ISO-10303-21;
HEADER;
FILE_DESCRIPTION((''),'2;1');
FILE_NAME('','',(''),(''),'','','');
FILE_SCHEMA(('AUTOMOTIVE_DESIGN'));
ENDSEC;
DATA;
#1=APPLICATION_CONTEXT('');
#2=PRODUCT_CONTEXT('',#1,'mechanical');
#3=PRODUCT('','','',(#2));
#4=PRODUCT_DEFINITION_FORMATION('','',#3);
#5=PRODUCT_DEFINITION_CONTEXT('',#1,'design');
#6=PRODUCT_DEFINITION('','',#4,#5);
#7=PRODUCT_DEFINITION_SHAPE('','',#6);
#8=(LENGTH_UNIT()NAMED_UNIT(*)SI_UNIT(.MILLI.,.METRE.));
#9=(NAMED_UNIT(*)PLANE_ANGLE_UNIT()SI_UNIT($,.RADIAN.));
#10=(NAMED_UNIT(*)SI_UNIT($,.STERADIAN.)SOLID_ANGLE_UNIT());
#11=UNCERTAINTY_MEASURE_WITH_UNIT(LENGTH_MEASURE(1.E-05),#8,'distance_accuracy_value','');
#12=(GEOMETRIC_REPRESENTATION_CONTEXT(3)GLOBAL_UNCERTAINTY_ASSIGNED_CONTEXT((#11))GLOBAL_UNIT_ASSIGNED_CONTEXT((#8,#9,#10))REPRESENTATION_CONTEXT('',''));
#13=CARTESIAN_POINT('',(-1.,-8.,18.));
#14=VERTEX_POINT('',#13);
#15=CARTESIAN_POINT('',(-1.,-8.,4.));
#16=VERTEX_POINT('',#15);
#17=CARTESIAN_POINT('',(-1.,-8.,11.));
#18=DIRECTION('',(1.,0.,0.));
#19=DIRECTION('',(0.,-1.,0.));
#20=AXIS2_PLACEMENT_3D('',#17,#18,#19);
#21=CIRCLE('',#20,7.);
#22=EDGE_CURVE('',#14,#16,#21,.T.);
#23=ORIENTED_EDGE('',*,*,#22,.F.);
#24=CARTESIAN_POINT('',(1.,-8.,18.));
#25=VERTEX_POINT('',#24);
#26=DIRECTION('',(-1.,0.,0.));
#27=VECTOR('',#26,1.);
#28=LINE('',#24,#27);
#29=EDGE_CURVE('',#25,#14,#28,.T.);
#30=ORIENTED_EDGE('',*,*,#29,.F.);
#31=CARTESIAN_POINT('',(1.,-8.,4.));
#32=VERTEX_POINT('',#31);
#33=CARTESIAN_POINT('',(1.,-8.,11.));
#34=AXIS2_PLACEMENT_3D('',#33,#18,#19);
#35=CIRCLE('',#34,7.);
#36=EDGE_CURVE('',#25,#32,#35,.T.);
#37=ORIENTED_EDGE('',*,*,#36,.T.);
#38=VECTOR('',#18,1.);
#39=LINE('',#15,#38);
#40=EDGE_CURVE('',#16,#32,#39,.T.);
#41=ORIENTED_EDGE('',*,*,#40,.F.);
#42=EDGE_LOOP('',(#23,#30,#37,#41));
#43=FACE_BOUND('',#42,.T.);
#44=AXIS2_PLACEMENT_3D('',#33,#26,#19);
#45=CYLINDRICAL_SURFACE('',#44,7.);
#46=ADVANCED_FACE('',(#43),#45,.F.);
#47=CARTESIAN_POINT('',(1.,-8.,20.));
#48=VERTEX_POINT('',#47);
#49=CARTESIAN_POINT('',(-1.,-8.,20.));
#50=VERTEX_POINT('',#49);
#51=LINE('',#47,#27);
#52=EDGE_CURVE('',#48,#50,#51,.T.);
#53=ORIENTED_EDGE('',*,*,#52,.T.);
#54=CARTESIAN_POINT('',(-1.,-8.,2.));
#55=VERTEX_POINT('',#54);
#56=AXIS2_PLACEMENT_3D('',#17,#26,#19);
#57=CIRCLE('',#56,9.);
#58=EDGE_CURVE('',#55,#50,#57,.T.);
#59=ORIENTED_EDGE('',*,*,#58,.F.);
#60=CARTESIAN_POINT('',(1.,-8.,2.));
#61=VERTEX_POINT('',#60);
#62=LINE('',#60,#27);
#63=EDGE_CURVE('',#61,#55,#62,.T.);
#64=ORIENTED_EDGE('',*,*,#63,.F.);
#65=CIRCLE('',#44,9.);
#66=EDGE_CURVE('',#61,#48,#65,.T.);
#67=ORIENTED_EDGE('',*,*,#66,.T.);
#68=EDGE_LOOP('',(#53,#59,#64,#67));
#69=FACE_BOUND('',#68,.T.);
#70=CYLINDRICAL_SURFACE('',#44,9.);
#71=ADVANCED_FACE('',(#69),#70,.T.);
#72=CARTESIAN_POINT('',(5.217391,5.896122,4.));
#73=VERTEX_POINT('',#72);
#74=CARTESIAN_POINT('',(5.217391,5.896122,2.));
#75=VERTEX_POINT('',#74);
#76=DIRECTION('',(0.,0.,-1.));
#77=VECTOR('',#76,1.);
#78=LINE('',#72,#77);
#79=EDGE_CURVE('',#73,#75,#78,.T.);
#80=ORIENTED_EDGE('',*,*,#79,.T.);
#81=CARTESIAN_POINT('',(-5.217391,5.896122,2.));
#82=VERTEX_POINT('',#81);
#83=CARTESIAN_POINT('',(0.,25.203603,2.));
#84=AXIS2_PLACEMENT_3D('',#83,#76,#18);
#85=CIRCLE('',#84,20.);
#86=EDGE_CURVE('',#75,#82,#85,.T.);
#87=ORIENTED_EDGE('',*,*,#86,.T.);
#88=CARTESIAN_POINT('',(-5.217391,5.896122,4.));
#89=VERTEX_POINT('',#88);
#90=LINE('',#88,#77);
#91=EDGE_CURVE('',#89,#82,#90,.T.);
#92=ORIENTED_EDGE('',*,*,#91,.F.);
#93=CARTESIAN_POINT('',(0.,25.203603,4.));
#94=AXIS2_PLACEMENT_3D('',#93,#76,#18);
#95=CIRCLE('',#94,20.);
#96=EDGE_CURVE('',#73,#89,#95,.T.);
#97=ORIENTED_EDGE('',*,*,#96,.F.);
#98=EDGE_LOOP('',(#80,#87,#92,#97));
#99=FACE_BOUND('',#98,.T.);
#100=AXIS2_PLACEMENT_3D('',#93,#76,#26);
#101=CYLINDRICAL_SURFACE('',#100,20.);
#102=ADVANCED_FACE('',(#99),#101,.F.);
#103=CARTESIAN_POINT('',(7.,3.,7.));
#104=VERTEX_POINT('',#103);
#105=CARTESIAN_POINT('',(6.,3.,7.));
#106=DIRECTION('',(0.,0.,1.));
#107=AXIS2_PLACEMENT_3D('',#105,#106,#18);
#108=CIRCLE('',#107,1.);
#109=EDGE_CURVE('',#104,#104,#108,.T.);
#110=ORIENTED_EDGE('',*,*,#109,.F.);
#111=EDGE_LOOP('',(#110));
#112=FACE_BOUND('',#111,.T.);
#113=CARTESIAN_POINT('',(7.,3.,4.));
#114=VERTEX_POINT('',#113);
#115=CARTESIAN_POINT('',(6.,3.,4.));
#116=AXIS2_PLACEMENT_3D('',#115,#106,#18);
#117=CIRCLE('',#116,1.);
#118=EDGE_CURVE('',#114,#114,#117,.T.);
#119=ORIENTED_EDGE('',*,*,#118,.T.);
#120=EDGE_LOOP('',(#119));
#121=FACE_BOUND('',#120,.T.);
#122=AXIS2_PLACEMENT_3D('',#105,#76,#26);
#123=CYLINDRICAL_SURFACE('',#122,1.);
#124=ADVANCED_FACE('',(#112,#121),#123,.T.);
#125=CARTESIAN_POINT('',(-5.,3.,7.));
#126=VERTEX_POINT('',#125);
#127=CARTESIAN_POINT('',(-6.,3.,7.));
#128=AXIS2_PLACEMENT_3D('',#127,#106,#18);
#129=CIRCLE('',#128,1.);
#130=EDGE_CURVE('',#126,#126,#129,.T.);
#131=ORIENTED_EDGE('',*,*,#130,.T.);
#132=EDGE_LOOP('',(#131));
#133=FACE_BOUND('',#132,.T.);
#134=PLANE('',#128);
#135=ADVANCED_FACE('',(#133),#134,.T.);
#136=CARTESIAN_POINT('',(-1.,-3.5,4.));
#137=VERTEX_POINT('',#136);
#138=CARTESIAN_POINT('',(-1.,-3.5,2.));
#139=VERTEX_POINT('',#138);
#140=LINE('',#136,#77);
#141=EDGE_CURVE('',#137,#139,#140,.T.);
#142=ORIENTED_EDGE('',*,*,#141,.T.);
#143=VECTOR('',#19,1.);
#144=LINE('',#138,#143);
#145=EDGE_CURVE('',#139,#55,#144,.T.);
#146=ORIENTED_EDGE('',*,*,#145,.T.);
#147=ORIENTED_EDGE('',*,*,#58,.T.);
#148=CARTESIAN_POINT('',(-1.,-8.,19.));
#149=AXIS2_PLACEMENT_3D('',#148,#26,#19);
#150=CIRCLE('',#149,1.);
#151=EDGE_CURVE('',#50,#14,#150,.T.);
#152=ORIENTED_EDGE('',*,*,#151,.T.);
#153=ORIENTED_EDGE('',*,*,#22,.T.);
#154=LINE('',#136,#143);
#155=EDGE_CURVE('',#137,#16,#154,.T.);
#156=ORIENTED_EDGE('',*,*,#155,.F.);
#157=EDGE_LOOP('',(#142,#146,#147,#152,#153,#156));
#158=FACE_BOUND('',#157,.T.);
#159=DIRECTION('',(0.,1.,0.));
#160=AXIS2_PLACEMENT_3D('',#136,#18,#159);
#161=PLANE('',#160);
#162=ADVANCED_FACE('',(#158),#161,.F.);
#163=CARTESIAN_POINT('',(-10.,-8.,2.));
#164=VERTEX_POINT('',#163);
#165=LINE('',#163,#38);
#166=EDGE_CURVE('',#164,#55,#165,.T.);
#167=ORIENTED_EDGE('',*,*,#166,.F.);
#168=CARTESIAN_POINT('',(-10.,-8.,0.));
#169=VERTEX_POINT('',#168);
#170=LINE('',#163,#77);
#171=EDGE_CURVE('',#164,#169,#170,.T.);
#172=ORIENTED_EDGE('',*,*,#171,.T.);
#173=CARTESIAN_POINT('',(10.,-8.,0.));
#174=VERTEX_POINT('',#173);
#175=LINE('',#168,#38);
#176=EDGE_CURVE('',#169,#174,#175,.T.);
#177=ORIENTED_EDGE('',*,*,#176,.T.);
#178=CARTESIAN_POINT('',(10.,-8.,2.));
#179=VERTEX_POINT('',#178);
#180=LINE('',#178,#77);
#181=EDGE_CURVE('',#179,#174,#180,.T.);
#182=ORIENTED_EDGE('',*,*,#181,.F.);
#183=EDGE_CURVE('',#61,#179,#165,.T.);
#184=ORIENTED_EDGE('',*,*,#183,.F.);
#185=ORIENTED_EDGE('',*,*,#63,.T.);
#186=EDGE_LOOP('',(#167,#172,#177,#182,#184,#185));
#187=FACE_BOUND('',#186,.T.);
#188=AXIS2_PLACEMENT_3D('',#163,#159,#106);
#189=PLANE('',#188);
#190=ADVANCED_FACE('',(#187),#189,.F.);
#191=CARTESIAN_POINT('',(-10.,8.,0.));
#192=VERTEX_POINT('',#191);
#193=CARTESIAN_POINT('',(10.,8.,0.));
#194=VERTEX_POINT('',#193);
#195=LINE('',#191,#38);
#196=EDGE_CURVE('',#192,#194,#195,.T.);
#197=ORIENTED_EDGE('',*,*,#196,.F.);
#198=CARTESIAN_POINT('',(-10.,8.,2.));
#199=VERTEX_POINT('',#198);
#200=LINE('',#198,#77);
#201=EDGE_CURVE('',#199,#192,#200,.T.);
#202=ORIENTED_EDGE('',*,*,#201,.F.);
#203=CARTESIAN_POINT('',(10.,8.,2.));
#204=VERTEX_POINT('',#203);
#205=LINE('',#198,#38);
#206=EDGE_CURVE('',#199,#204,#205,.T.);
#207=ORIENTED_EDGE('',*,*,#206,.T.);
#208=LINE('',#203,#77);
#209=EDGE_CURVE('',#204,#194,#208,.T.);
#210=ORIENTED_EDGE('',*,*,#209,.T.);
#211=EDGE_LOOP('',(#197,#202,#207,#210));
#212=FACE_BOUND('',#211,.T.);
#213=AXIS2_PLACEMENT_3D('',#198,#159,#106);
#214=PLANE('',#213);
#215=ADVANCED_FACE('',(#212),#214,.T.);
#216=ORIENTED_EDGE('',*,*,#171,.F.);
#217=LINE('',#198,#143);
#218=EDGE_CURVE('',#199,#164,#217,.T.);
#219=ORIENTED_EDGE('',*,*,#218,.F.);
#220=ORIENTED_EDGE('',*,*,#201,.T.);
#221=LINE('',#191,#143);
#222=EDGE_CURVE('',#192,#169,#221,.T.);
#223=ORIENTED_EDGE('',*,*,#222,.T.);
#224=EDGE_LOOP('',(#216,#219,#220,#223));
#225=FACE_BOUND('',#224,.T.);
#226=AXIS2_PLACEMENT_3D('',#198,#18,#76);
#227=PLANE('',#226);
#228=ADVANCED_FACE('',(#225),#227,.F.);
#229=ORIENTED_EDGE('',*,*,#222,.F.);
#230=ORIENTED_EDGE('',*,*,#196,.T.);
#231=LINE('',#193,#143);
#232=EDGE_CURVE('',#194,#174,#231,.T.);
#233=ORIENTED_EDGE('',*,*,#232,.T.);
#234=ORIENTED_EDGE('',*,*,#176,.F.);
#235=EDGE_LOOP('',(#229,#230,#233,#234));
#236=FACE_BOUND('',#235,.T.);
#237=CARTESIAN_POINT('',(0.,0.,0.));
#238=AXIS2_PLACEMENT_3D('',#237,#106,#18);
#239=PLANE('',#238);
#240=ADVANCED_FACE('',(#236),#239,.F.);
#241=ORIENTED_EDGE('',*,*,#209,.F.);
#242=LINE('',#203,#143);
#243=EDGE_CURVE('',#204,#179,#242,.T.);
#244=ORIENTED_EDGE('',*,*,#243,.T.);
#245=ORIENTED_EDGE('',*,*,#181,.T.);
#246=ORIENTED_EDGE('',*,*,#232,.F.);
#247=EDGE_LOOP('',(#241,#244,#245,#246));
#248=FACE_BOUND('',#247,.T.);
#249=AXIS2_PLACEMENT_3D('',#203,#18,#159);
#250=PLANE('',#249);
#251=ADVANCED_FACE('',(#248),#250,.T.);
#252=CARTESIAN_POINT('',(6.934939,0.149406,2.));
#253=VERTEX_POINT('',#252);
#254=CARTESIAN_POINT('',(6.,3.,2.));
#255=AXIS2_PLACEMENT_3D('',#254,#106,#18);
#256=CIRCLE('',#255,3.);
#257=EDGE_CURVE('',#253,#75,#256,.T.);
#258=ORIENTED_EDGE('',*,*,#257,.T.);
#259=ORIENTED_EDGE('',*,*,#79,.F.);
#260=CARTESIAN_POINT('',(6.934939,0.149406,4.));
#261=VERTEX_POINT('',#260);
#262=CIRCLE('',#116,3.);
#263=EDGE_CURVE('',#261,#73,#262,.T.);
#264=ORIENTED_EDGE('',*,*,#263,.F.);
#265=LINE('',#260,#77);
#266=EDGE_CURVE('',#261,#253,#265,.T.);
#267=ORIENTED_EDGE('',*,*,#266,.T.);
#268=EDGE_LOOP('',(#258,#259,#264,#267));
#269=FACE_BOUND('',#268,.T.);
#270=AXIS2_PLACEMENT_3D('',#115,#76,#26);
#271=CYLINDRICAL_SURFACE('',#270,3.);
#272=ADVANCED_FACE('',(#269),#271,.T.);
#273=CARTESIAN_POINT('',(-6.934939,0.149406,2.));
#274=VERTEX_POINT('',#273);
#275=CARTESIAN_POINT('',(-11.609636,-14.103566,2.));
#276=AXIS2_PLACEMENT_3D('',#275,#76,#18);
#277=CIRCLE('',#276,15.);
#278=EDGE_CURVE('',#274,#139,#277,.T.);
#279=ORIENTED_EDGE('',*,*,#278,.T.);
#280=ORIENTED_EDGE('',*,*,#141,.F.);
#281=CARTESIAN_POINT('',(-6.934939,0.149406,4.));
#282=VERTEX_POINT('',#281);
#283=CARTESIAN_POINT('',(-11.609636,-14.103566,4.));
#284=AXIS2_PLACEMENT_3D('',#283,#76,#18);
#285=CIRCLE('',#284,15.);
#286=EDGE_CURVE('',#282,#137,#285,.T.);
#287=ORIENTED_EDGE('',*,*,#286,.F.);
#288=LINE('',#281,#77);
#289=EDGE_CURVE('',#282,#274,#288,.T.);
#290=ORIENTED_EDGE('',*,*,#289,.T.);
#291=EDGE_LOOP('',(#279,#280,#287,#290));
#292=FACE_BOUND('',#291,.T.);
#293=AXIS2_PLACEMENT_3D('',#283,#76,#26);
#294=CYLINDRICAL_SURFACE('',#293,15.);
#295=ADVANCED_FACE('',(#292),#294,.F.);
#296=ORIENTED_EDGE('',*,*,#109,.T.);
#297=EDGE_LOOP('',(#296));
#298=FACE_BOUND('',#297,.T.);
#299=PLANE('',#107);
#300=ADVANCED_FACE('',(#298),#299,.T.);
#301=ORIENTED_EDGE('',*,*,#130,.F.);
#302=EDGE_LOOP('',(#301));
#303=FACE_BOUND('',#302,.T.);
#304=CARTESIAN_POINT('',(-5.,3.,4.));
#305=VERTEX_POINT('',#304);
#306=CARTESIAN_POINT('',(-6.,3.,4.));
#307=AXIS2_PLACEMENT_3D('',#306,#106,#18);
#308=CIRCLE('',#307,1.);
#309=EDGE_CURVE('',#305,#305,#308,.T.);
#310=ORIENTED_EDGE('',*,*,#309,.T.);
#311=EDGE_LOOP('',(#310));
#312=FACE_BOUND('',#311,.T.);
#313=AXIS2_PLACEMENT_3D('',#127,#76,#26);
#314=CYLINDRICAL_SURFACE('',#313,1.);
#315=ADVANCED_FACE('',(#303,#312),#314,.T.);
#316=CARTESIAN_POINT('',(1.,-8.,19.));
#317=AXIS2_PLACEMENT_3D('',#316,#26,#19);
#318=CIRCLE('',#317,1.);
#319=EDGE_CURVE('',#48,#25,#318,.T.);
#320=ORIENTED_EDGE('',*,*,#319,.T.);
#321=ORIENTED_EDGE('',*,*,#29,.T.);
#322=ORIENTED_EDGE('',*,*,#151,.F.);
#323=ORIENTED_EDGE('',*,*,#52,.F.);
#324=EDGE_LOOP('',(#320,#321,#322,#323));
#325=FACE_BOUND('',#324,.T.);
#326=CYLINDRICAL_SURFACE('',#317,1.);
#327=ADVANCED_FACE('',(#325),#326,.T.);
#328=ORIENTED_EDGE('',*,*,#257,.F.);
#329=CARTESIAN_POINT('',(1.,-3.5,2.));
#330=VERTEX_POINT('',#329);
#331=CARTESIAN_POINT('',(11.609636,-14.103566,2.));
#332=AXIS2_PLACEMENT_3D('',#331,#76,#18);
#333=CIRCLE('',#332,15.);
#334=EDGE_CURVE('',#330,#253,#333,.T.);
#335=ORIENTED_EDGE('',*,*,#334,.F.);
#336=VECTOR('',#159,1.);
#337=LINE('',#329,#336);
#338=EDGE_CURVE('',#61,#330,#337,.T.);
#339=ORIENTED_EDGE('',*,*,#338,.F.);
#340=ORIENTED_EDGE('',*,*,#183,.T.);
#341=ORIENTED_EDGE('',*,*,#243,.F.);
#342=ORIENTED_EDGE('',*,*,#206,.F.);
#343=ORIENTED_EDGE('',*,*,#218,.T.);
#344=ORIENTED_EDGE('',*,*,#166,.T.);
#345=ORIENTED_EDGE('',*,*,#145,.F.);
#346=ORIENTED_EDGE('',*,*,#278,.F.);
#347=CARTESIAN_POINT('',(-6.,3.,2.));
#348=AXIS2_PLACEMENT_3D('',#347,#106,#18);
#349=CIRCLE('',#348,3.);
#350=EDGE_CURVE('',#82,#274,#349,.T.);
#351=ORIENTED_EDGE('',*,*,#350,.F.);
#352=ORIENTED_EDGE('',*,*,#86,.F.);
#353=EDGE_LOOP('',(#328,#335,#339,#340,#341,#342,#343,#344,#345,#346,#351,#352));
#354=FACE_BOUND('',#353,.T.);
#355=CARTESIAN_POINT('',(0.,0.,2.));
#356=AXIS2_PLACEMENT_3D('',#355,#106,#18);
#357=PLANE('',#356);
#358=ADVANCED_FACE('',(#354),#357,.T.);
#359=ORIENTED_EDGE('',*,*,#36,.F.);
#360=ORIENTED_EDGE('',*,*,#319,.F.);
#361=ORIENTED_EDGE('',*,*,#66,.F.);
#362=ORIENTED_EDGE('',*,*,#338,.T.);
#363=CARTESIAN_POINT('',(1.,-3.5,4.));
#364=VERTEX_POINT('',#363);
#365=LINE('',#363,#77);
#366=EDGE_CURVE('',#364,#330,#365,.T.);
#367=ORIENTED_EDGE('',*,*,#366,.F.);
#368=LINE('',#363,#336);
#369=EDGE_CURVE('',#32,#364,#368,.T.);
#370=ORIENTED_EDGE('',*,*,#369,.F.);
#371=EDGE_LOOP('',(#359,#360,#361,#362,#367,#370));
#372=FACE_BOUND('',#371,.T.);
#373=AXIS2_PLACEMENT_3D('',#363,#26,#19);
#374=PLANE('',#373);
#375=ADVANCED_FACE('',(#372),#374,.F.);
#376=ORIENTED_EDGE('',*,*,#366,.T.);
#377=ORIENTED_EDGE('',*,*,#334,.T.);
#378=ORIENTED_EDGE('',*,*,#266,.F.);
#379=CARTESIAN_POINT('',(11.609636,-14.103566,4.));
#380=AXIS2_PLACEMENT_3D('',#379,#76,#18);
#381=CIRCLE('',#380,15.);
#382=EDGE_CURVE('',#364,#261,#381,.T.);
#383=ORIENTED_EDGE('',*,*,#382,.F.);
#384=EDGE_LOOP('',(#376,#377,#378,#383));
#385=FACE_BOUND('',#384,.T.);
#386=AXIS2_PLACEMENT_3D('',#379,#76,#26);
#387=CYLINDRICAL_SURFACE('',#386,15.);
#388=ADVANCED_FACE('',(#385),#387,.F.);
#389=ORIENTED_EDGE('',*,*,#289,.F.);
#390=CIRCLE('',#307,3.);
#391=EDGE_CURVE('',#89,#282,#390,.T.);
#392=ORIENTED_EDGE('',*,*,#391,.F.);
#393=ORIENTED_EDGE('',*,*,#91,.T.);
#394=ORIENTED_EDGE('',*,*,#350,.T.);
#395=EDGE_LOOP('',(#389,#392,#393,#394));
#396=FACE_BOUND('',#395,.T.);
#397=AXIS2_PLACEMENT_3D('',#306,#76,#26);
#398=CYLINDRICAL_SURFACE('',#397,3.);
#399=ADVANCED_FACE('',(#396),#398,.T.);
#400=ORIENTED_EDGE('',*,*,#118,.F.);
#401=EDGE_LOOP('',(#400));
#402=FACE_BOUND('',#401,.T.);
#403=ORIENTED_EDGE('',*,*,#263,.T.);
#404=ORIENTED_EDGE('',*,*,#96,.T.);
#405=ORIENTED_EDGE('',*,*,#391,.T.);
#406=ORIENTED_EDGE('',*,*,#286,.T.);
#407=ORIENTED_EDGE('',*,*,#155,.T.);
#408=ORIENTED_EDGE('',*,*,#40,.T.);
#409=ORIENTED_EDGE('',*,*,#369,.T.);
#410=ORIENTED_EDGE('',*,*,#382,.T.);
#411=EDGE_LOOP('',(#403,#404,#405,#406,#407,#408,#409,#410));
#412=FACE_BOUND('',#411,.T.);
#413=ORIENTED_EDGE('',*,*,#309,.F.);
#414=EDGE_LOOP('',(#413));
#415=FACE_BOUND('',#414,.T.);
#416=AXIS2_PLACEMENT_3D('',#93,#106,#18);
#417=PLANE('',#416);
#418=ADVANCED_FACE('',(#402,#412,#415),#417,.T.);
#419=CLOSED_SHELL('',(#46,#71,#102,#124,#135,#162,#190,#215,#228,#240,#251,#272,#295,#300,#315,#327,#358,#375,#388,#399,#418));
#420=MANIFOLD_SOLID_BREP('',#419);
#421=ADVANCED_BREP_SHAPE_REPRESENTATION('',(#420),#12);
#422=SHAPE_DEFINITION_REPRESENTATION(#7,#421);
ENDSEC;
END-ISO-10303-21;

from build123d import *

# Parameters (mm, degrees)
CROQUIS1_W              = 20
CROQUIS1_H              = 16
SALIENTE_EXTRUIR1_DEPTH = 2
SALIENTE_EXTRUIR2_DEPTH = 2
CROQUIS3_R              = 1
SALIENTE_EXTRUIR3_DEPTH = 3
SALIENTE_EXTRUIR4_DEPTH = 2


with BuildPart() as part:
    # Croquis1 → Saliente-Extruir1 (new body)
    with BuildSketch(Plane.XY):
        Rectangle(CROQUIS1_W, CROQUIS1_H)
    extrude(amount=SALIENTE_EXTRUIR1_DEPTH)

    # Croquis2 → Saliente-Extruir2 (add)
    with BuildSketch(Plane.XY.offset(2)):
        with BuildLine():
            Line((-1, -3.5), (-1, -8))
            Line((-1, -8), (1, -8))
            Line((1, -8), (1, -3.5))
            ThreePointArc((1, -3.5), (3.752648906, -1.325939397), (6.934939372, 0.149405611))
            ThreePointArc((6.934939372, 0.149405611), (8.874367576, 3.859075687), (5.217391304, 5.896122171))
            ThreePointArc((5.217391304, 5.896122171), (0, 5.203603311), (-5.217391304, 5.896122171))
            ThreePointArc((-5.217391304, 5.896122171), (-8.874367576, 3.859075687), (-6.934939372, 0.149405611))
            ThreePointArc((-6.934939372, 0.149405611), (-3.752648906, -1.325939397), (-1, -3.5))
        make_face()
    extrude(amount=SALIENTE_EXTRUIR2_DEPTH)

    # Croquis3 → Saliente-Extruir3 (add)
    with BuildSketch(Plane.XY.offset(4)):
        with Locations((-6, 3)):
            Circle(CROQUIS3_R)
        with Locations((6, 3)):
            Circle(CROQUIS3_R)
    extrude(amount=SALIENTE_EXTRUIR3_DEPTH)

    # Croquis5 → Saliente-Extruir4 (add)
    with BuildSketch(Plane.ZY.offset(1)):
        with BuildLine():
            Line((4, -8), (2, -8))
            ThreePointArc((2, -8), (11, -17), (20, -8))
            ThreePointArc((20, -8), (19, -7), (18, -8))
            ThreePointArc((18, -8), (11, -15), (4, -8))
        make_face()
    extrude(amount=-SALIENTE_EXTRUIR4_DEPTH)


solid = part.part
